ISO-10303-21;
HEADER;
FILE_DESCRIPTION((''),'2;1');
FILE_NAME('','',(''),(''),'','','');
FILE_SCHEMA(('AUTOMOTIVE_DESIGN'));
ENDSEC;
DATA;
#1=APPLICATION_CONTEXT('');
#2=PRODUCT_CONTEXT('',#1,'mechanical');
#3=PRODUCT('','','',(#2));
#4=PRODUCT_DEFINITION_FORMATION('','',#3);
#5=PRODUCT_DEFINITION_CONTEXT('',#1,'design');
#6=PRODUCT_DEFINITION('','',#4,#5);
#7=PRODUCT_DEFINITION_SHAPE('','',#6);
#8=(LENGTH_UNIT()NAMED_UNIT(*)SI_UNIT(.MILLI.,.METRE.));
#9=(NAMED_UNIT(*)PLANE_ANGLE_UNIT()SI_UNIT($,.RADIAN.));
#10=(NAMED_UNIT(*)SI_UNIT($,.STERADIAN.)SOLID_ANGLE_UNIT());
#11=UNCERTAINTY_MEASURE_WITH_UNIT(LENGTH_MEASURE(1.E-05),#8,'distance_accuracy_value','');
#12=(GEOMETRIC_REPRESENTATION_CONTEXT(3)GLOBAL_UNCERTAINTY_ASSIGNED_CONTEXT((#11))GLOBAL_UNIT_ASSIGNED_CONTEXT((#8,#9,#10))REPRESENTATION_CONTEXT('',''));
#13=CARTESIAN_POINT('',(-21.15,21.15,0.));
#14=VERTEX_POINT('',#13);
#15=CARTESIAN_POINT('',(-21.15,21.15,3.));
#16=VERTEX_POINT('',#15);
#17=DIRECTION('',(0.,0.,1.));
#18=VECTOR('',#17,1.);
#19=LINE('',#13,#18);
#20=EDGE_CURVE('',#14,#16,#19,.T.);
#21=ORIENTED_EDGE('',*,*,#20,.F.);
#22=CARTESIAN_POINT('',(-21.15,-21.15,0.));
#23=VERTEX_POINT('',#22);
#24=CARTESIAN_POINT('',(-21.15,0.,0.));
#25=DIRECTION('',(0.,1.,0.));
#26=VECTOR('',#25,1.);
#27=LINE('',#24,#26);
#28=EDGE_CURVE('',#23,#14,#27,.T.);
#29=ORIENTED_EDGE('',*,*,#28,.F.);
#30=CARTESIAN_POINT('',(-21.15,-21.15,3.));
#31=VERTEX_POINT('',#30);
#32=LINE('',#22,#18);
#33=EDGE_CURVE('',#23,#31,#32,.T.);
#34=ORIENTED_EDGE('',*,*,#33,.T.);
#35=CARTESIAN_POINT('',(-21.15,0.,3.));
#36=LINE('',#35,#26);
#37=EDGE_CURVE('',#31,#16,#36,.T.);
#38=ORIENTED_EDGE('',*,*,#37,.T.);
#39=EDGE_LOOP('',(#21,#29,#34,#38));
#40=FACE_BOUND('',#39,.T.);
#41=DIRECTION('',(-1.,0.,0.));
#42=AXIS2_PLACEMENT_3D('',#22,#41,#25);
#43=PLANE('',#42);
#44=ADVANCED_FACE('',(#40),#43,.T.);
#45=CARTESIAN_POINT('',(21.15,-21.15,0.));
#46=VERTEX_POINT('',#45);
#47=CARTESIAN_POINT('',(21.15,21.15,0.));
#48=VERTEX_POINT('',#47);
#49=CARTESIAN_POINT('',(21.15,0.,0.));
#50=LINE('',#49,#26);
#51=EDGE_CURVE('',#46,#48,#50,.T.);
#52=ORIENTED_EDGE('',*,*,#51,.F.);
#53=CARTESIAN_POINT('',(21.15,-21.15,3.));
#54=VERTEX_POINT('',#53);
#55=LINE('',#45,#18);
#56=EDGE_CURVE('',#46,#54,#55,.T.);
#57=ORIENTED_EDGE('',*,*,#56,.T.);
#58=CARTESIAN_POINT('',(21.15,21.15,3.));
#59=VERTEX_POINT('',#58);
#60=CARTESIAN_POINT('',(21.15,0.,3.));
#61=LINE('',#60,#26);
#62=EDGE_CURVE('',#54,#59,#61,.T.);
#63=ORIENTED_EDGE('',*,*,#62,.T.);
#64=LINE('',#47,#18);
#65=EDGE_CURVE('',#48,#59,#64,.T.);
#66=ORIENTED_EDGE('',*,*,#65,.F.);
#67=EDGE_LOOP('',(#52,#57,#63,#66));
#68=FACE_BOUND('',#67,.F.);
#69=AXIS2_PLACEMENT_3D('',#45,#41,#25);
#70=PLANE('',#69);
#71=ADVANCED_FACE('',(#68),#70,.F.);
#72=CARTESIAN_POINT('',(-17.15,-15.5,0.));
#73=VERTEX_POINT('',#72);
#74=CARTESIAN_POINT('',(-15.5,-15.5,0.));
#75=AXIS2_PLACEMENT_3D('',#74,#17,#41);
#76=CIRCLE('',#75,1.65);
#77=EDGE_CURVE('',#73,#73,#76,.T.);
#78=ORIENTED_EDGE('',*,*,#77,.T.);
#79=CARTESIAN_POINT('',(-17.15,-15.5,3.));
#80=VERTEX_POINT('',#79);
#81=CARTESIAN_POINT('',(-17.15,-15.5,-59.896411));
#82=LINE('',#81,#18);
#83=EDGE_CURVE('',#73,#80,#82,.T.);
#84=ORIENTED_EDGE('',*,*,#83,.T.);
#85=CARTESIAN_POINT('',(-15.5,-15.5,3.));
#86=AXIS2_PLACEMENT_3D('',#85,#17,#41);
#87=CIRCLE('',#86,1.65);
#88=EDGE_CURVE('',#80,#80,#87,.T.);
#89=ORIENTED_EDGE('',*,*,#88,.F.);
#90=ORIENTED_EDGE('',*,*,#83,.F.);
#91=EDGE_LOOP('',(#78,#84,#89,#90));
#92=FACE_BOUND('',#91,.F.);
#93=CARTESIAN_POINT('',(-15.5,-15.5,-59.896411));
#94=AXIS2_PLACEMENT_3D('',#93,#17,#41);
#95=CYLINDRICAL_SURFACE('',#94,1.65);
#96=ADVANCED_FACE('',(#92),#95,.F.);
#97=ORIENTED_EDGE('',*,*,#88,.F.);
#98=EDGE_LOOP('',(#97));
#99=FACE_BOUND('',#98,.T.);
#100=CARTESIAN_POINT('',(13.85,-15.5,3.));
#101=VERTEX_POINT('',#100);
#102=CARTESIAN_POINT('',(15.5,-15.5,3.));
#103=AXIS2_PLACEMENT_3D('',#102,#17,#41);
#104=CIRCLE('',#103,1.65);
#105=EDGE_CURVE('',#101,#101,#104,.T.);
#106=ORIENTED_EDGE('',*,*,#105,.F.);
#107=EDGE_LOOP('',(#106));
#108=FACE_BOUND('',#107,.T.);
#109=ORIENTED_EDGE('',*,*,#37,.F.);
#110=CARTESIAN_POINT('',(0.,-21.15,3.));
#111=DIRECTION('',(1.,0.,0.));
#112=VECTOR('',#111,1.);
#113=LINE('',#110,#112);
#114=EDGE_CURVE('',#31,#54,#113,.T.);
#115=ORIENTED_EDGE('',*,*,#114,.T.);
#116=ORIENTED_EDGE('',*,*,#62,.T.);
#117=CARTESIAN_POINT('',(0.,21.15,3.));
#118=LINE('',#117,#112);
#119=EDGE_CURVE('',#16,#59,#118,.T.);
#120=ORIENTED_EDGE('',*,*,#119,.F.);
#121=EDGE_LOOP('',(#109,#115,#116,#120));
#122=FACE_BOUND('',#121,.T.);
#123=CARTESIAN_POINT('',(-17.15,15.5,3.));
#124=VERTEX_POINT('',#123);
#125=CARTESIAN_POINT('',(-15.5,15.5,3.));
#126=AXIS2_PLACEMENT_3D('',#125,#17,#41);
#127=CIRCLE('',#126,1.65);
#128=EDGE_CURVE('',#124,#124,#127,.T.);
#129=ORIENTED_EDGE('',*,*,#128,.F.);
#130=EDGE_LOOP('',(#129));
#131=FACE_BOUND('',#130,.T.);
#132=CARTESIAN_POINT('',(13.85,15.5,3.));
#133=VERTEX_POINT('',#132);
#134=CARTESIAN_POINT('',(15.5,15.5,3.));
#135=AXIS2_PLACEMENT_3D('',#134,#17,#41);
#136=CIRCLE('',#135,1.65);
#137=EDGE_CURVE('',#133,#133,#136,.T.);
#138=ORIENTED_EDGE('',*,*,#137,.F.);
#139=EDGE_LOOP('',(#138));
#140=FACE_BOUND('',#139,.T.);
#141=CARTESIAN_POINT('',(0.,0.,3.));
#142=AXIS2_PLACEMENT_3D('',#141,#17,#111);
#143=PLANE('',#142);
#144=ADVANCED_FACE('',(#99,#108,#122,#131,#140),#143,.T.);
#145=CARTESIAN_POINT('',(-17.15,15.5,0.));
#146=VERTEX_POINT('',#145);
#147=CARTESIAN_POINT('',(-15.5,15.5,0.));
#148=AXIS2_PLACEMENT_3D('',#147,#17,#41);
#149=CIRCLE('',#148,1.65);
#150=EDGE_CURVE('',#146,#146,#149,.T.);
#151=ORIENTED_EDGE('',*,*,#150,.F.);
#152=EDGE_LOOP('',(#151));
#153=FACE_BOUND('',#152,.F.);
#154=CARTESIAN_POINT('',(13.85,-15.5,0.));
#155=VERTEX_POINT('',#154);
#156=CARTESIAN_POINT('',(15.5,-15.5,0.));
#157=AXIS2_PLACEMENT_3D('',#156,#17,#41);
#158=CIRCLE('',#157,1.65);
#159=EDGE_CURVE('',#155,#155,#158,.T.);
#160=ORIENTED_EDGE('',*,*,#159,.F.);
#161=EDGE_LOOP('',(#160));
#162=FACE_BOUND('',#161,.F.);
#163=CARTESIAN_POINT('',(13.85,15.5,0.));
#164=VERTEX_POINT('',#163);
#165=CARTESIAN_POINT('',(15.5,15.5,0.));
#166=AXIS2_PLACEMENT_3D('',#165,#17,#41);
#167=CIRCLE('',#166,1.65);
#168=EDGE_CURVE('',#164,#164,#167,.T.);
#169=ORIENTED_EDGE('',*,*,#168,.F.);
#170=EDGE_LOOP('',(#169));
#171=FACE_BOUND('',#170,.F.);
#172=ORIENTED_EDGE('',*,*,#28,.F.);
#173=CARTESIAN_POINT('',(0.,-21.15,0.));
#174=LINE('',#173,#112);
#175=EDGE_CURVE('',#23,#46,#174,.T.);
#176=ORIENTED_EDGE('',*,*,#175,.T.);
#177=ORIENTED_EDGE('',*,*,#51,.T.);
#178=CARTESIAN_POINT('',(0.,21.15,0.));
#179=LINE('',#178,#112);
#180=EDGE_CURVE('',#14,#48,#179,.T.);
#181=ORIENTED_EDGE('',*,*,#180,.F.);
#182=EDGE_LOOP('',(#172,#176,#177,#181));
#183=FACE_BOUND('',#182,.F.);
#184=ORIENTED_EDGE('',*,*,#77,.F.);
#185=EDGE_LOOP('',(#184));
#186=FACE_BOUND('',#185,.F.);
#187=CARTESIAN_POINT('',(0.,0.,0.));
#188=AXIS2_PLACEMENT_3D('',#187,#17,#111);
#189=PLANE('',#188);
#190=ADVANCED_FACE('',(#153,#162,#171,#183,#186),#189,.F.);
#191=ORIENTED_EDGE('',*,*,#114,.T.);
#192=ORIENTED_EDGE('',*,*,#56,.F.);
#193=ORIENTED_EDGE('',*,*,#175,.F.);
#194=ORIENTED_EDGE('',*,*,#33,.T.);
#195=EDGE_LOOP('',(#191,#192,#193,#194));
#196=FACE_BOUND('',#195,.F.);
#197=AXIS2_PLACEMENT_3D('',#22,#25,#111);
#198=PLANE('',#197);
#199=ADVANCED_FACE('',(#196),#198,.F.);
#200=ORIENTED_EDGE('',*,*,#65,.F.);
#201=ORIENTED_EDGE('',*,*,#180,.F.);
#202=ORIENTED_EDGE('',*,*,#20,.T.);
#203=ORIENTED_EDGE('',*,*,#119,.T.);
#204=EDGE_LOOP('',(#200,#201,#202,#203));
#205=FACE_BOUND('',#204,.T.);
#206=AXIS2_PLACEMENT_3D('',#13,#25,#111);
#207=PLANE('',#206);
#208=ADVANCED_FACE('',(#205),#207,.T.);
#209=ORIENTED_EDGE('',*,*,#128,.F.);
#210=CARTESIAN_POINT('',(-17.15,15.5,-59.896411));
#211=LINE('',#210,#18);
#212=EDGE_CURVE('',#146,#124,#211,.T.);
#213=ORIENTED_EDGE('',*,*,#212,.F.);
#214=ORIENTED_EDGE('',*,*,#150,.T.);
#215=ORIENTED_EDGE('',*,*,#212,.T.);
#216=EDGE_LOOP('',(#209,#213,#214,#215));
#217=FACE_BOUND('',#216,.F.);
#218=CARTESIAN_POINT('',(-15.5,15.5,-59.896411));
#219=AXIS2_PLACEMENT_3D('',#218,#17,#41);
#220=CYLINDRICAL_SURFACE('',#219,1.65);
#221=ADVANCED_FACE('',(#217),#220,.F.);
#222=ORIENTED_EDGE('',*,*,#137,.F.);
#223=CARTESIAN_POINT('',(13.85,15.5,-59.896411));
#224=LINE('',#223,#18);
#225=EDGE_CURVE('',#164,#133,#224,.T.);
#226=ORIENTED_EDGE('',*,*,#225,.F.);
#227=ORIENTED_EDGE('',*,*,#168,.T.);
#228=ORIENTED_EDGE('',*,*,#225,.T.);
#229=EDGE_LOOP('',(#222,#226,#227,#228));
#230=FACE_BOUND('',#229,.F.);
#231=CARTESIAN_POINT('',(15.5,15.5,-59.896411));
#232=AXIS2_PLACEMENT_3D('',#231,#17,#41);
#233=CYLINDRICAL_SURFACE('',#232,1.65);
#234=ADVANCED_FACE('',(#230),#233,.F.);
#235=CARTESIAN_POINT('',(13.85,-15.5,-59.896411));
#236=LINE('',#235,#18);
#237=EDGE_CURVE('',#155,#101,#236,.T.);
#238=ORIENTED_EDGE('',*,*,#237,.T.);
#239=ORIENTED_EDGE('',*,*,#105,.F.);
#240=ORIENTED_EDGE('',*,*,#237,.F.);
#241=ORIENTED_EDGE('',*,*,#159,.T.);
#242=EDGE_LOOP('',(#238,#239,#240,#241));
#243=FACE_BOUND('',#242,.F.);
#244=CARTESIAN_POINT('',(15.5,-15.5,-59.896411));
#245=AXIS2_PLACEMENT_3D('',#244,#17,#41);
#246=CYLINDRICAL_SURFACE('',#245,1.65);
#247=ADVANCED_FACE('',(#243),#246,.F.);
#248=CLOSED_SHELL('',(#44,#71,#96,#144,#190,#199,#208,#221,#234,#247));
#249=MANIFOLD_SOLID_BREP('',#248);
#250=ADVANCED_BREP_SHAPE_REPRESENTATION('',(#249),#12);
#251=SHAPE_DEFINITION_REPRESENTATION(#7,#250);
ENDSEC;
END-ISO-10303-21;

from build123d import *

# Parameters (mm, degrees)
F0_W     = 42.3
F0_H     = 42.3
F1_DEPTH = 3
F2_D     = 3.3


with BuildPart() as f1:
    # F0 (on Top) → F1 (new body)
    with BuildSketch(Plane.XY):
        Rectangle(F0_W, F0_H)
    extrude(amount=F1_DEPTH)

    # F2 (through all)
    with Locations(Plane(origin=(0, 0, 0), x_dir=(1, 0, 0), z_dir=(0, 0, -1))):
        with Locations((15.5, 15.5), (15.5, -15.5), (-15.5, -15.5), (-15.5, 15.5)):
            Hole(F2_D / 2)


solid = f1.part
